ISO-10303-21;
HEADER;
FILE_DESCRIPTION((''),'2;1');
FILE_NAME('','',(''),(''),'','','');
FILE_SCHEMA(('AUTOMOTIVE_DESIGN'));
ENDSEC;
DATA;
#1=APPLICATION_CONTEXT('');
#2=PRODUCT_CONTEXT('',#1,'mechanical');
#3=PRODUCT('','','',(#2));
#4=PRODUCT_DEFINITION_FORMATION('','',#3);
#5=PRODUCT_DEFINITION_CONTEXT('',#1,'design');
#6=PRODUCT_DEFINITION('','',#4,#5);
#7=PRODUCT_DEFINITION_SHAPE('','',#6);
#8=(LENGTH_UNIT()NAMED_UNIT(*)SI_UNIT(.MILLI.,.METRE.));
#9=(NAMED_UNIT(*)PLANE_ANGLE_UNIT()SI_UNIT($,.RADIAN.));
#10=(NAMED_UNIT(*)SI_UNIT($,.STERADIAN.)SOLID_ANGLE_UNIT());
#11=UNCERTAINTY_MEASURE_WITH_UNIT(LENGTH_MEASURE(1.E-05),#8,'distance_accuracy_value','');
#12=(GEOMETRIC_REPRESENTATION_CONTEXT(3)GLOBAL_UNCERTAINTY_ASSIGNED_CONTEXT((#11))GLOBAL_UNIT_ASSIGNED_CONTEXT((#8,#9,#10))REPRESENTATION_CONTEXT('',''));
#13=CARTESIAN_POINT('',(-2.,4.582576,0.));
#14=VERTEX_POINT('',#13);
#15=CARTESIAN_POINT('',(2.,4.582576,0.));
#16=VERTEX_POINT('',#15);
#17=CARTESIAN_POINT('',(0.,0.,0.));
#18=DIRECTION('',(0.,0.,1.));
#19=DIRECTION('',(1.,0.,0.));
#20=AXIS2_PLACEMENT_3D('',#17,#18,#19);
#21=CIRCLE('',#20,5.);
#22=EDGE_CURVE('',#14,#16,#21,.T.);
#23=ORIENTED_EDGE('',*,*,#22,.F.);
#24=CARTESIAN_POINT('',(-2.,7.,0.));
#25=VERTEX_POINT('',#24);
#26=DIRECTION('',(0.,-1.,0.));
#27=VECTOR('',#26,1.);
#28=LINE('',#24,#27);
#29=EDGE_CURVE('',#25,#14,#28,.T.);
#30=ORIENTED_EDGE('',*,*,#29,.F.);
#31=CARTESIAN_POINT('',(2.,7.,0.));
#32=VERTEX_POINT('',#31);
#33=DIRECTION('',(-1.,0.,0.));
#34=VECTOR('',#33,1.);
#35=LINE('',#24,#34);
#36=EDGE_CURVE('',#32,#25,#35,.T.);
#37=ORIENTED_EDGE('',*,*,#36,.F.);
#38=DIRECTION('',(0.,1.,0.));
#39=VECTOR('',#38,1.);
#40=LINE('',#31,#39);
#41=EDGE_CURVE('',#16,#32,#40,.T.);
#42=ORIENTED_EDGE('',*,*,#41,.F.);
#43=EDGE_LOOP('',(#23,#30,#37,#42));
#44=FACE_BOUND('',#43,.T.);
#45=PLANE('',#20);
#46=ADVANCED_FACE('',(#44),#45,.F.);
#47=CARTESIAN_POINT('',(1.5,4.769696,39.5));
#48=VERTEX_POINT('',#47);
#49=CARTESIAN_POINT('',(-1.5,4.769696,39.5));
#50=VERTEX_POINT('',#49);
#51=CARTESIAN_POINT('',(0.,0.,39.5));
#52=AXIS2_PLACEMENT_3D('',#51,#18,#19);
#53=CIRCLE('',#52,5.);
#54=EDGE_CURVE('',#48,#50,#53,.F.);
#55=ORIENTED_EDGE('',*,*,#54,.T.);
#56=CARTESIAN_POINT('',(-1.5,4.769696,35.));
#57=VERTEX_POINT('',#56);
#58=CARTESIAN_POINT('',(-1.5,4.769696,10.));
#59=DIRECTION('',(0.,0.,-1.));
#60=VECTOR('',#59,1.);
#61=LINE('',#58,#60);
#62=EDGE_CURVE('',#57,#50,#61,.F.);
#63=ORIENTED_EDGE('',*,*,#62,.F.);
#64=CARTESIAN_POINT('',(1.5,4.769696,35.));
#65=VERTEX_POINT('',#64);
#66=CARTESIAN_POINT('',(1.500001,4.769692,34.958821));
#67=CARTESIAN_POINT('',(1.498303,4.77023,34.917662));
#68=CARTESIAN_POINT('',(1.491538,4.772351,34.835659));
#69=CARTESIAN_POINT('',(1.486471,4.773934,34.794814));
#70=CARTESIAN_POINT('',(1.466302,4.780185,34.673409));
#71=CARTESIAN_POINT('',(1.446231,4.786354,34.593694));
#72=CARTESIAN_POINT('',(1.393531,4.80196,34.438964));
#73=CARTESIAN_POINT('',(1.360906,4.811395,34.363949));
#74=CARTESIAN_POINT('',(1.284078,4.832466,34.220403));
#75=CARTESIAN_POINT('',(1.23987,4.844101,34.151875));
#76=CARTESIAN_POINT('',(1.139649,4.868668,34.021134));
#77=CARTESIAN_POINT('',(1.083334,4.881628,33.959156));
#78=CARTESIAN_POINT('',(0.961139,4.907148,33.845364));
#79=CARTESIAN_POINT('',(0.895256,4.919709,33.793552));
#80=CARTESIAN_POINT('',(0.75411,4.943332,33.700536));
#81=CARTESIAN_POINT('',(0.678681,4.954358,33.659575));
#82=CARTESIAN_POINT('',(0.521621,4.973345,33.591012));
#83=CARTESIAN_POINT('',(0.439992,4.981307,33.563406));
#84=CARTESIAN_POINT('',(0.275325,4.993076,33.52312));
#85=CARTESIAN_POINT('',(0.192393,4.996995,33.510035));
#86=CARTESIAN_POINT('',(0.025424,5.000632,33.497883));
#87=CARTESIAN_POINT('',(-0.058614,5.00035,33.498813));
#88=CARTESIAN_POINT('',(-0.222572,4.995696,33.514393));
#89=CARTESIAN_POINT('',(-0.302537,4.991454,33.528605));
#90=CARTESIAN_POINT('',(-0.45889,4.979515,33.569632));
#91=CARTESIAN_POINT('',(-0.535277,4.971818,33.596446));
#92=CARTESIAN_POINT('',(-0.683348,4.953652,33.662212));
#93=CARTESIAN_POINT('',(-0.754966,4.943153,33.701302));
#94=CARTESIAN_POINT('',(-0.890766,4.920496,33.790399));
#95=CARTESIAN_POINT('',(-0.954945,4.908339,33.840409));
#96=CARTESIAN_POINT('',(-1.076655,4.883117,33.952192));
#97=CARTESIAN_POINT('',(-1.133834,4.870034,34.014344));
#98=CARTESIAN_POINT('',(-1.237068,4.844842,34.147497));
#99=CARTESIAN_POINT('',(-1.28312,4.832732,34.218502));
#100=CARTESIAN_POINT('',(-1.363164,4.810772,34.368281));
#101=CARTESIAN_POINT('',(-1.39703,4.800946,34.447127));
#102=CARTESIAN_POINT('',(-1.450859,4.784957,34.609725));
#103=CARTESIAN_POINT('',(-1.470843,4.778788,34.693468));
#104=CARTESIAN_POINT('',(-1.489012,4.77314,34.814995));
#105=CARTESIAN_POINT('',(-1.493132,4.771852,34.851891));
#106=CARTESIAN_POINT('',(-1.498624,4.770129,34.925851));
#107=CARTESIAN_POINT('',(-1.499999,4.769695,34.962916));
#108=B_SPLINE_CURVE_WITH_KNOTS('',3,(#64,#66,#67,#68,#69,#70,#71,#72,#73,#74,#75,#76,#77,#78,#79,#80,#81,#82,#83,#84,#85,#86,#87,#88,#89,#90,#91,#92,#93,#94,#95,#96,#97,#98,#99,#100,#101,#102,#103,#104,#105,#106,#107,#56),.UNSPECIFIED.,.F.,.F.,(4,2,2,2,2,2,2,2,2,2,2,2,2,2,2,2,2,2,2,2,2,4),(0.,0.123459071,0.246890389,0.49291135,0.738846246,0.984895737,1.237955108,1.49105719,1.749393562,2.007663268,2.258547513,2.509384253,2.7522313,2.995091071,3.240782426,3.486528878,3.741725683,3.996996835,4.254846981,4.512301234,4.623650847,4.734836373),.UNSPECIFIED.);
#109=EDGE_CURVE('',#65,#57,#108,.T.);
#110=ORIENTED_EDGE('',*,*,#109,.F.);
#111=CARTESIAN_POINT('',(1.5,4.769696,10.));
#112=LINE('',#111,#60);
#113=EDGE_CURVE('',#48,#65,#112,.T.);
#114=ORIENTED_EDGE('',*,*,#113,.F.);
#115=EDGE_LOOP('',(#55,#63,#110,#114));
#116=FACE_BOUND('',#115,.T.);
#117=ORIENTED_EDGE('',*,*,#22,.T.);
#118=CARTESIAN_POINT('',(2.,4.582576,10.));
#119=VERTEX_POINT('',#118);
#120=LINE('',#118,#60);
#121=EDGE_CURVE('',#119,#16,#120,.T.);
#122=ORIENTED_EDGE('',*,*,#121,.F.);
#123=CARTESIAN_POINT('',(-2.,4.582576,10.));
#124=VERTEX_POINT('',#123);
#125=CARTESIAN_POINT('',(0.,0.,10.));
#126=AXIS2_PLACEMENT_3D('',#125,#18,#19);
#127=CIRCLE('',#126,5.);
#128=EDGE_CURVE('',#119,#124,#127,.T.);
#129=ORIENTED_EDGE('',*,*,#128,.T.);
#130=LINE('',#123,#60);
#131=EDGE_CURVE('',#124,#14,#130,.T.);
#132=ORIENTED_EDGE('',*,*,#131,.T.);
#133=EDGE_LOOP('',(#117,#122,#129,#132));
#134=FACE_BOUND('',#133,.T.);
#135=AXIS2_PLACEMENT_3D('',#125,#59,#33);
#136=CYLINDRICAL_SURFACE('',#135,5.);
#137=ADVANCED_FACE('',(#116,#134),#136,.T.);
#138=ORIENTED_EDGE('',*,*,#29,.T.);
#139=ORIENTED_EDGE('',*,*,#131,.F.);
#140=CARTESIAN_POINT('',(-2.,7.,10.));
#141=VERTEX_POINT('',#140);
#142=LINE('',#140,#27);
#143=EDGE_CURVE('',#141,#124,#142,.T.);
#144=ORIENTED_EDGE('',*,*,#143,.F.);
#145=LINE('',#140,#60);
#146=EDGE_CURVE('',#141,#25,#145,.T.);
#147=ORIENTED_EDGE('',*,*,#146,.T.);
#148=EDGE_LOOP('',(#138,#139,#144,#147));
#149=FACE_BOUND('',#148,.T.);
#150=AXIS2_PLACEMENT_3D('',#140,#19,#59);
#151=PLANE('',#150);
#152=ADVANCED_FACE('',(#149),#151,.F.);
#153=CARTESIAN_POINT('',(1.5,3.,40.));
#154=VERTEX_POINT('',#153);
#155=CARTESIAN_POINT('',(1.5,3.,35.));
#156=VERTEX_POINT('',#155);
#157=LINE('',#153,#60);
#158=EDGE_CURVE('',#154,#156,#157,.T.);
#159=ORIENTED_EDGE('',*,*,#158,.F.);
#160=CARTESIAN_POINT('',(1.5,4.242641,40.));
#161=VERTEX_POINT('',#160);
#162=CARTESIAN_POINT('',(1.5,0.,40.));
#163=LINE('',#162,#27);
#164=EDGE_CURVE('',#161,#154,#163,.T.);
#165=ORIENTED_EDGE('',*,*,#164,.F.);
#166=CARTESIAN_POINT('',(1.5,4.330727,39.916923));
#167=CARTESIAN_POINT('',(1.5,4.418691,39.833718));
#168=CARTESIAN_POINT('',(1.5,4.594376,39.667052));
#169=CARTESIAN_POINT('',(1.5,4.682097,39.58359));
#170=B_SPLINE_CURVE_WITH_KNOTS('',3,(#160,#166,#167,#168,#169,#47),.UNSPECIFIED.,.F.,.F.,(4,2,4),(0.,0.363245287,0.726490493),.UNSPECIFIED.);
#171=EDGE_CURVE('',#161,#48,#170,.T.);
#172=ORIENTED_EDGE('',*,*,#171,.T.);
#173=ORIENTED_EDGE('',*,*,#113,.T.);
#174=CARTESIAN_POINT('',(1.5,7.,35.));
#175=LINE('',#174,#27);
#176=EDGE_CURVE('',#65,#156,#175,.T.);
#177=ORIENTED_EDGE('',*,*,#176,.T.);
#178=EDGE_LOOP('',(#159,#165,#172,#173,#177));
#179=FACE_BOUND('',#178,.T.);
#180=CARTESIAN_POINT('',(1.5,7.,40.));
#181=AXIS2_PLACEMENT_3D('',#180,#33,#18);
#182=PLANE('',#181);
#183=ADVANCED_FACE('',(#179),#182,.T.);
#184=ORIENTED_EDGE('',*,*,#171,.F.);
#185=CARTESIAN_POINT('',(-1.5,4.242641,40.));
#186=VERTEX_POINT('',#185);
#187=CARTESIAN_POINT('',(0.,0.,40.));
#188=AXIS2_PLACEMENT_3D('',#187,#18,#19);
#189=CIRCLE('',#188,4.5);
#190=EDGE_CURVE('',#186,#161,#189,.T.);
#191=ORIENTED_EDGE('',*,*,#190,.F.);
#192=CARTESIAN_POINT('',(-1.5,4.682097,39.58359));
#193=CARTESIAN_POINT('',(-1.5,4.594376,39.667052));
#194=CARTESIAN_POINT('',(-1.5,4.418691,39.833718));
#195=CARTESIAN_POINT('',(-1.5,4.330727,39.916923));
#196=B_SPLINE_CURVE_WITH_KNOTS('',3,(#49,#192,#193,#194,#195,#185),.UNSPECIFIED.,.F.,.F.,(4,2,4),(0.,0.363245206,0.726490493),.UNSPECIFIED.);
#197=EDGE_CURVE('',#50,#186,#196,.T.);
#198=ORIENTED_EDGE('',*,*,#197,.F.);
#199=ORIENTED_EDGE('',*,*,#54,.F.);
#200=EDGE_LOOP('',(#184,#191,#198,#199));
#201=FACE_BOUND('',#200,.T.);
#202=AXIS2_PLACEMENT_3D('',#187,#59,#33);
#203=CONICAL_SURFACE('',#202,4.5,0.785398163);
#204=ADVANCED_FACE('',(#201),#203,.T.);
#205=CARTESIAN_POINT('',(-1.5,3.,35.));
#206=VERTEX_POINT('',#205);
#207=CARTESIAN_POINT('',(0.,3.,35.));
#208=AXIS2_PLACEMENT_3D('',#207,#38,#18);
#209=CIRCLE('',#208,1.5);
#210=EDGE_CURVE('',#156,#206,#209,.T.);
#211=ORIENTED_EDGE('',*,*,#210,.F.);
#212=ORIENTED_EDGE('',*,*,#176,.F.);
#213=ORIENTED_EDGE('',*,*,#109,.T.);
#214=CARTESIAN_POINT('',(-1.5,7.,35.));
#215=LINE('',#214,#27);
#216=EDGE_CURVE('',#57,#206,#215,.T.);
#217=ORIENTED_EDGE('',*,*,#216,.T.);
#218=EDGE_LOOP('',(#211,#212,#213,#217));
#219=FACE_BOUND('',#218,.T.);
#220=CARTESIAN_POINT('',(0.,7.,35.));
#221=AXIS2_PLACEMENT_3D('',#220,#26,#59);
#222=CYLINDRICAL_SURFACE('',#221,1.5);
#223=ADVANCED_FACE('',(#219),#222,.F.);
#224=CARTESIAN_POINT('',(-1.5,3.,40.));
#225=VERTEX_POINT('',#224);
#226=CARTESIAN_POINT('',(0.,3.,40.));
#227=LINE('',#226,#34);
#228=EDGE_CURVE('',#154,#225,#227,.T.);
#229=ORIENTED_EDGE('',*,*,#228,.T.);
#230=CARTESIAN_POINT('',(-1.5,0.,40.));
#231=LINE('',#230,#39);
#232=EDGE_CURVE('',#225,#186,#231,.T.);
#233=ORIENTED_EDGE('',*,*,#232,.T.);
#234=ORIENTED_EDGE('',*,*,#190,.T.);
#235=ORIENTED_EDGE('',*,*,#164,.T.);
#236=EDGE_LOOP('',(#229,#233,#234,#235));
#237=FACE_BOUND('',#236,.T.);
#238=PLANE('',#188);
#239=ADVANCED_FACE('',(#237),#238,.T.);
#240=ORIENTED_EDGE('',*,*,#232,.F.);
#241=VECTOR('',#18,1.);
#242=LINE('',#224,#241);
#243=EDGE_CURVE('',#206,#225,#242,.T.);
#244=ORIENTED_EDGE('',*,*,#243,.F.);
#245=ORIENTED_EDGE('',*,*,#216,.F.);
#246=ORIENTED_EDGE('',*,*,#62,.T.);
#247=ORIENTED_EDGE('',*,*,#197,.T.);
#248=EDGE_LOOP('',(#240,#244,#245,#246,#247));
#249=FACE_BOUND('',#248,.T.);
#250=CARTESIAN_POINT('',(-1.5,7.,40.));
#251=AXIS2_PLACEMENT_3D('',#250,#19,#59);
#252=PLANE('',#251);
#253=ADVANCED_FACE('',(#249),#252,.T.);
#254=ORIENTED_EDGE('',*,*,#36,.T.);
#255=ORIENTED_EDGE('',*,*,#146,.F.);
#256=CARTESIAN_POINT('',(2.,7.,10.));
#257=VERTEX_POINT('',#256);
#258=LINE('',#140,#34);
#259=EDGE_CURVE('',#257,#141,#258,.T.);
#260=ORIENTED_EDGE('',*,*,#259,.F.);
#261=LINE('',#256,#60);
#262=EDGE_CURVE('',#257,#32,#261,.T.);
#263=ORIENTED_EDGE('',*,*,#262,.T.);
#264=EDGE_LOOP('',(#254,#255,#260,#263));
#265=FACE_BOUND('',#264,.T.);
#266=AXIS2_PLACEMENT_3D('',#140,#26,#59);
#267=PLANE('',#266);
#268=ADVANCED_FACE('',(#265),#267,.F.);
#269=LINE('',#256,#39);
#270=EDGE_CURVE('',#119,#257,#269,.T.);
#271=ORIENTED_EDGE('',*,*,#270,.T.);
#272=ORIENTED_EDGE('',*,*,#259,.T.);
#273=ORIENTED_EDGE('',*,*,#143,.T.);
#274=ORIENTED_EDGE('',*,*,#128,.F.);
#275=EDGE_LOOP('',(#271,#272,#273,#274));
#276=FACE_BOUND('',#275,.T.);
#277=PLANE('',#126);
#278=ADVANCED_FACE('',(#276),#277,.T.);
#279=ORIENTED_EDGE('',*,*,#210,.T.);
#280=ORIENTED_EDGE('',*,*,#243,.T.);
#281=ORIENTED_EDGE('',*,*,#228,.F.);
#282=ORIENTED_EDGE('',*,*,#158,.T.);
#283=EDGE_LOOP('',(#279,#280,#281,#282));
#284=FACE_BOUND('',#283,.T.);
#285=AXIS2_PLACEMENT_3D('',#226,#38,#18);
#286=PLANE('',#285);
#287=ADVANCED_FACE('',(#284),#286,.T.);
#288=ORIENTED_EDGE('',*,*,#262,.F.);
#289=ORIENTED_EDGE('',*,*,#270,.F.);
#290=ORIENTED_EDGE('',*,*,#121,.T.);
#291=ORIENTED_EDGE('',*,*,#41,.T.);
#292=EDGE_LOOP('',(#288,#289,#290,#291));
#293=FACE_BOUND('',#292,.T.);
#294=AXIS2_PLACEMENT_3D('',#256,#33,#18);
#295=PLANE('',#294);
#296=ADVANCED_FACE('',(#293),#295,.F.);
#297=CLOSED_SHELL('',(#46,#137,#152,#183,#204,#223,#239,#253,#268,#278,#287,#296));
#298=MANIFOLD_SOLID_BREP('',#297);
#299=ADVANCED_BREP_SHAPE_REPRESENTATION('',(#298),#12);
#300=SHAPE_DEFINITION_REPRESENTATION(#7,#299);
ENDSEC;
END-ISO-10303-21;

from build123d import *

# Parameters (mm, degrees)
BOSS_EXTRUDE1_DEPTH = 10
SKETCH2_R           = 5
BOSS_EXTRUDE2_DEPTH = 30
CUT_EXTRUDE1_START  = 3
CUT_EXTRUDE1_DEPTH  = 38.914545091
CHAMFER1_SIZE       = 0.5


with BuildPart() as part:
    # Sketch1 → Boss-Extrude1 (new body)
    with BuildSketch(Plane.XY):
        with BuildLine():
            Line((-2, 7), (2, 7))
            Line((2, 7), (2, 4.582575695))
            ThreePointArc((2, 4.582575695), (0, -5), (-2, 4.582575695))
            Line((-2, 4.582575695), (-2, 7))
        make_face()
    extrude(amount=BOSS_EXTRUDE1_DEPTH)

    # Sketch2 → Boss-Extrude2 (add)
    with BuildSketch(Plane.XY.offset(10)):
        with Locations(Location((0, 0, 0), (0, 0, 113.578178478))):
            Circle(SKETCH2_R)
    extrude(amount=BOSS_EXTRUDE2_DEPTH)

    # Sketch3 → Cut-Extrude1 (cut, through all)
    with BuildSketch(Plane(origin=(0, 0, 0), x_dir=(1, 0, 0), z_dir=(0, 1, 0)).offset(CUT_EXTRUDE1_START)):
        with BuildLine():
            Line((-1.5, -40), (-1.5, -35))
            ThreePointArc((-1.5, -35), (0, -33.5), (1.5, -35))
            Line((1.5, -35), (1.5, -40))
            ThreePointArc((1.5, -40), (0, -41.5), (-1.5, -40))
        make_face()
    extrude(amount=CUT_EXTRUDE1_DEPTH, mode=Mode.SUBTRACT)

    # Chamfer1
    chamfer1_edges = [part.edges().sort_by_distance(p)[0] for p in [
        (0.266933518, -4.992869565, 40),
    ]]
    chamfer(chamfer1_edges, length=CHAMFER1_SIZE)


solid = part.part
